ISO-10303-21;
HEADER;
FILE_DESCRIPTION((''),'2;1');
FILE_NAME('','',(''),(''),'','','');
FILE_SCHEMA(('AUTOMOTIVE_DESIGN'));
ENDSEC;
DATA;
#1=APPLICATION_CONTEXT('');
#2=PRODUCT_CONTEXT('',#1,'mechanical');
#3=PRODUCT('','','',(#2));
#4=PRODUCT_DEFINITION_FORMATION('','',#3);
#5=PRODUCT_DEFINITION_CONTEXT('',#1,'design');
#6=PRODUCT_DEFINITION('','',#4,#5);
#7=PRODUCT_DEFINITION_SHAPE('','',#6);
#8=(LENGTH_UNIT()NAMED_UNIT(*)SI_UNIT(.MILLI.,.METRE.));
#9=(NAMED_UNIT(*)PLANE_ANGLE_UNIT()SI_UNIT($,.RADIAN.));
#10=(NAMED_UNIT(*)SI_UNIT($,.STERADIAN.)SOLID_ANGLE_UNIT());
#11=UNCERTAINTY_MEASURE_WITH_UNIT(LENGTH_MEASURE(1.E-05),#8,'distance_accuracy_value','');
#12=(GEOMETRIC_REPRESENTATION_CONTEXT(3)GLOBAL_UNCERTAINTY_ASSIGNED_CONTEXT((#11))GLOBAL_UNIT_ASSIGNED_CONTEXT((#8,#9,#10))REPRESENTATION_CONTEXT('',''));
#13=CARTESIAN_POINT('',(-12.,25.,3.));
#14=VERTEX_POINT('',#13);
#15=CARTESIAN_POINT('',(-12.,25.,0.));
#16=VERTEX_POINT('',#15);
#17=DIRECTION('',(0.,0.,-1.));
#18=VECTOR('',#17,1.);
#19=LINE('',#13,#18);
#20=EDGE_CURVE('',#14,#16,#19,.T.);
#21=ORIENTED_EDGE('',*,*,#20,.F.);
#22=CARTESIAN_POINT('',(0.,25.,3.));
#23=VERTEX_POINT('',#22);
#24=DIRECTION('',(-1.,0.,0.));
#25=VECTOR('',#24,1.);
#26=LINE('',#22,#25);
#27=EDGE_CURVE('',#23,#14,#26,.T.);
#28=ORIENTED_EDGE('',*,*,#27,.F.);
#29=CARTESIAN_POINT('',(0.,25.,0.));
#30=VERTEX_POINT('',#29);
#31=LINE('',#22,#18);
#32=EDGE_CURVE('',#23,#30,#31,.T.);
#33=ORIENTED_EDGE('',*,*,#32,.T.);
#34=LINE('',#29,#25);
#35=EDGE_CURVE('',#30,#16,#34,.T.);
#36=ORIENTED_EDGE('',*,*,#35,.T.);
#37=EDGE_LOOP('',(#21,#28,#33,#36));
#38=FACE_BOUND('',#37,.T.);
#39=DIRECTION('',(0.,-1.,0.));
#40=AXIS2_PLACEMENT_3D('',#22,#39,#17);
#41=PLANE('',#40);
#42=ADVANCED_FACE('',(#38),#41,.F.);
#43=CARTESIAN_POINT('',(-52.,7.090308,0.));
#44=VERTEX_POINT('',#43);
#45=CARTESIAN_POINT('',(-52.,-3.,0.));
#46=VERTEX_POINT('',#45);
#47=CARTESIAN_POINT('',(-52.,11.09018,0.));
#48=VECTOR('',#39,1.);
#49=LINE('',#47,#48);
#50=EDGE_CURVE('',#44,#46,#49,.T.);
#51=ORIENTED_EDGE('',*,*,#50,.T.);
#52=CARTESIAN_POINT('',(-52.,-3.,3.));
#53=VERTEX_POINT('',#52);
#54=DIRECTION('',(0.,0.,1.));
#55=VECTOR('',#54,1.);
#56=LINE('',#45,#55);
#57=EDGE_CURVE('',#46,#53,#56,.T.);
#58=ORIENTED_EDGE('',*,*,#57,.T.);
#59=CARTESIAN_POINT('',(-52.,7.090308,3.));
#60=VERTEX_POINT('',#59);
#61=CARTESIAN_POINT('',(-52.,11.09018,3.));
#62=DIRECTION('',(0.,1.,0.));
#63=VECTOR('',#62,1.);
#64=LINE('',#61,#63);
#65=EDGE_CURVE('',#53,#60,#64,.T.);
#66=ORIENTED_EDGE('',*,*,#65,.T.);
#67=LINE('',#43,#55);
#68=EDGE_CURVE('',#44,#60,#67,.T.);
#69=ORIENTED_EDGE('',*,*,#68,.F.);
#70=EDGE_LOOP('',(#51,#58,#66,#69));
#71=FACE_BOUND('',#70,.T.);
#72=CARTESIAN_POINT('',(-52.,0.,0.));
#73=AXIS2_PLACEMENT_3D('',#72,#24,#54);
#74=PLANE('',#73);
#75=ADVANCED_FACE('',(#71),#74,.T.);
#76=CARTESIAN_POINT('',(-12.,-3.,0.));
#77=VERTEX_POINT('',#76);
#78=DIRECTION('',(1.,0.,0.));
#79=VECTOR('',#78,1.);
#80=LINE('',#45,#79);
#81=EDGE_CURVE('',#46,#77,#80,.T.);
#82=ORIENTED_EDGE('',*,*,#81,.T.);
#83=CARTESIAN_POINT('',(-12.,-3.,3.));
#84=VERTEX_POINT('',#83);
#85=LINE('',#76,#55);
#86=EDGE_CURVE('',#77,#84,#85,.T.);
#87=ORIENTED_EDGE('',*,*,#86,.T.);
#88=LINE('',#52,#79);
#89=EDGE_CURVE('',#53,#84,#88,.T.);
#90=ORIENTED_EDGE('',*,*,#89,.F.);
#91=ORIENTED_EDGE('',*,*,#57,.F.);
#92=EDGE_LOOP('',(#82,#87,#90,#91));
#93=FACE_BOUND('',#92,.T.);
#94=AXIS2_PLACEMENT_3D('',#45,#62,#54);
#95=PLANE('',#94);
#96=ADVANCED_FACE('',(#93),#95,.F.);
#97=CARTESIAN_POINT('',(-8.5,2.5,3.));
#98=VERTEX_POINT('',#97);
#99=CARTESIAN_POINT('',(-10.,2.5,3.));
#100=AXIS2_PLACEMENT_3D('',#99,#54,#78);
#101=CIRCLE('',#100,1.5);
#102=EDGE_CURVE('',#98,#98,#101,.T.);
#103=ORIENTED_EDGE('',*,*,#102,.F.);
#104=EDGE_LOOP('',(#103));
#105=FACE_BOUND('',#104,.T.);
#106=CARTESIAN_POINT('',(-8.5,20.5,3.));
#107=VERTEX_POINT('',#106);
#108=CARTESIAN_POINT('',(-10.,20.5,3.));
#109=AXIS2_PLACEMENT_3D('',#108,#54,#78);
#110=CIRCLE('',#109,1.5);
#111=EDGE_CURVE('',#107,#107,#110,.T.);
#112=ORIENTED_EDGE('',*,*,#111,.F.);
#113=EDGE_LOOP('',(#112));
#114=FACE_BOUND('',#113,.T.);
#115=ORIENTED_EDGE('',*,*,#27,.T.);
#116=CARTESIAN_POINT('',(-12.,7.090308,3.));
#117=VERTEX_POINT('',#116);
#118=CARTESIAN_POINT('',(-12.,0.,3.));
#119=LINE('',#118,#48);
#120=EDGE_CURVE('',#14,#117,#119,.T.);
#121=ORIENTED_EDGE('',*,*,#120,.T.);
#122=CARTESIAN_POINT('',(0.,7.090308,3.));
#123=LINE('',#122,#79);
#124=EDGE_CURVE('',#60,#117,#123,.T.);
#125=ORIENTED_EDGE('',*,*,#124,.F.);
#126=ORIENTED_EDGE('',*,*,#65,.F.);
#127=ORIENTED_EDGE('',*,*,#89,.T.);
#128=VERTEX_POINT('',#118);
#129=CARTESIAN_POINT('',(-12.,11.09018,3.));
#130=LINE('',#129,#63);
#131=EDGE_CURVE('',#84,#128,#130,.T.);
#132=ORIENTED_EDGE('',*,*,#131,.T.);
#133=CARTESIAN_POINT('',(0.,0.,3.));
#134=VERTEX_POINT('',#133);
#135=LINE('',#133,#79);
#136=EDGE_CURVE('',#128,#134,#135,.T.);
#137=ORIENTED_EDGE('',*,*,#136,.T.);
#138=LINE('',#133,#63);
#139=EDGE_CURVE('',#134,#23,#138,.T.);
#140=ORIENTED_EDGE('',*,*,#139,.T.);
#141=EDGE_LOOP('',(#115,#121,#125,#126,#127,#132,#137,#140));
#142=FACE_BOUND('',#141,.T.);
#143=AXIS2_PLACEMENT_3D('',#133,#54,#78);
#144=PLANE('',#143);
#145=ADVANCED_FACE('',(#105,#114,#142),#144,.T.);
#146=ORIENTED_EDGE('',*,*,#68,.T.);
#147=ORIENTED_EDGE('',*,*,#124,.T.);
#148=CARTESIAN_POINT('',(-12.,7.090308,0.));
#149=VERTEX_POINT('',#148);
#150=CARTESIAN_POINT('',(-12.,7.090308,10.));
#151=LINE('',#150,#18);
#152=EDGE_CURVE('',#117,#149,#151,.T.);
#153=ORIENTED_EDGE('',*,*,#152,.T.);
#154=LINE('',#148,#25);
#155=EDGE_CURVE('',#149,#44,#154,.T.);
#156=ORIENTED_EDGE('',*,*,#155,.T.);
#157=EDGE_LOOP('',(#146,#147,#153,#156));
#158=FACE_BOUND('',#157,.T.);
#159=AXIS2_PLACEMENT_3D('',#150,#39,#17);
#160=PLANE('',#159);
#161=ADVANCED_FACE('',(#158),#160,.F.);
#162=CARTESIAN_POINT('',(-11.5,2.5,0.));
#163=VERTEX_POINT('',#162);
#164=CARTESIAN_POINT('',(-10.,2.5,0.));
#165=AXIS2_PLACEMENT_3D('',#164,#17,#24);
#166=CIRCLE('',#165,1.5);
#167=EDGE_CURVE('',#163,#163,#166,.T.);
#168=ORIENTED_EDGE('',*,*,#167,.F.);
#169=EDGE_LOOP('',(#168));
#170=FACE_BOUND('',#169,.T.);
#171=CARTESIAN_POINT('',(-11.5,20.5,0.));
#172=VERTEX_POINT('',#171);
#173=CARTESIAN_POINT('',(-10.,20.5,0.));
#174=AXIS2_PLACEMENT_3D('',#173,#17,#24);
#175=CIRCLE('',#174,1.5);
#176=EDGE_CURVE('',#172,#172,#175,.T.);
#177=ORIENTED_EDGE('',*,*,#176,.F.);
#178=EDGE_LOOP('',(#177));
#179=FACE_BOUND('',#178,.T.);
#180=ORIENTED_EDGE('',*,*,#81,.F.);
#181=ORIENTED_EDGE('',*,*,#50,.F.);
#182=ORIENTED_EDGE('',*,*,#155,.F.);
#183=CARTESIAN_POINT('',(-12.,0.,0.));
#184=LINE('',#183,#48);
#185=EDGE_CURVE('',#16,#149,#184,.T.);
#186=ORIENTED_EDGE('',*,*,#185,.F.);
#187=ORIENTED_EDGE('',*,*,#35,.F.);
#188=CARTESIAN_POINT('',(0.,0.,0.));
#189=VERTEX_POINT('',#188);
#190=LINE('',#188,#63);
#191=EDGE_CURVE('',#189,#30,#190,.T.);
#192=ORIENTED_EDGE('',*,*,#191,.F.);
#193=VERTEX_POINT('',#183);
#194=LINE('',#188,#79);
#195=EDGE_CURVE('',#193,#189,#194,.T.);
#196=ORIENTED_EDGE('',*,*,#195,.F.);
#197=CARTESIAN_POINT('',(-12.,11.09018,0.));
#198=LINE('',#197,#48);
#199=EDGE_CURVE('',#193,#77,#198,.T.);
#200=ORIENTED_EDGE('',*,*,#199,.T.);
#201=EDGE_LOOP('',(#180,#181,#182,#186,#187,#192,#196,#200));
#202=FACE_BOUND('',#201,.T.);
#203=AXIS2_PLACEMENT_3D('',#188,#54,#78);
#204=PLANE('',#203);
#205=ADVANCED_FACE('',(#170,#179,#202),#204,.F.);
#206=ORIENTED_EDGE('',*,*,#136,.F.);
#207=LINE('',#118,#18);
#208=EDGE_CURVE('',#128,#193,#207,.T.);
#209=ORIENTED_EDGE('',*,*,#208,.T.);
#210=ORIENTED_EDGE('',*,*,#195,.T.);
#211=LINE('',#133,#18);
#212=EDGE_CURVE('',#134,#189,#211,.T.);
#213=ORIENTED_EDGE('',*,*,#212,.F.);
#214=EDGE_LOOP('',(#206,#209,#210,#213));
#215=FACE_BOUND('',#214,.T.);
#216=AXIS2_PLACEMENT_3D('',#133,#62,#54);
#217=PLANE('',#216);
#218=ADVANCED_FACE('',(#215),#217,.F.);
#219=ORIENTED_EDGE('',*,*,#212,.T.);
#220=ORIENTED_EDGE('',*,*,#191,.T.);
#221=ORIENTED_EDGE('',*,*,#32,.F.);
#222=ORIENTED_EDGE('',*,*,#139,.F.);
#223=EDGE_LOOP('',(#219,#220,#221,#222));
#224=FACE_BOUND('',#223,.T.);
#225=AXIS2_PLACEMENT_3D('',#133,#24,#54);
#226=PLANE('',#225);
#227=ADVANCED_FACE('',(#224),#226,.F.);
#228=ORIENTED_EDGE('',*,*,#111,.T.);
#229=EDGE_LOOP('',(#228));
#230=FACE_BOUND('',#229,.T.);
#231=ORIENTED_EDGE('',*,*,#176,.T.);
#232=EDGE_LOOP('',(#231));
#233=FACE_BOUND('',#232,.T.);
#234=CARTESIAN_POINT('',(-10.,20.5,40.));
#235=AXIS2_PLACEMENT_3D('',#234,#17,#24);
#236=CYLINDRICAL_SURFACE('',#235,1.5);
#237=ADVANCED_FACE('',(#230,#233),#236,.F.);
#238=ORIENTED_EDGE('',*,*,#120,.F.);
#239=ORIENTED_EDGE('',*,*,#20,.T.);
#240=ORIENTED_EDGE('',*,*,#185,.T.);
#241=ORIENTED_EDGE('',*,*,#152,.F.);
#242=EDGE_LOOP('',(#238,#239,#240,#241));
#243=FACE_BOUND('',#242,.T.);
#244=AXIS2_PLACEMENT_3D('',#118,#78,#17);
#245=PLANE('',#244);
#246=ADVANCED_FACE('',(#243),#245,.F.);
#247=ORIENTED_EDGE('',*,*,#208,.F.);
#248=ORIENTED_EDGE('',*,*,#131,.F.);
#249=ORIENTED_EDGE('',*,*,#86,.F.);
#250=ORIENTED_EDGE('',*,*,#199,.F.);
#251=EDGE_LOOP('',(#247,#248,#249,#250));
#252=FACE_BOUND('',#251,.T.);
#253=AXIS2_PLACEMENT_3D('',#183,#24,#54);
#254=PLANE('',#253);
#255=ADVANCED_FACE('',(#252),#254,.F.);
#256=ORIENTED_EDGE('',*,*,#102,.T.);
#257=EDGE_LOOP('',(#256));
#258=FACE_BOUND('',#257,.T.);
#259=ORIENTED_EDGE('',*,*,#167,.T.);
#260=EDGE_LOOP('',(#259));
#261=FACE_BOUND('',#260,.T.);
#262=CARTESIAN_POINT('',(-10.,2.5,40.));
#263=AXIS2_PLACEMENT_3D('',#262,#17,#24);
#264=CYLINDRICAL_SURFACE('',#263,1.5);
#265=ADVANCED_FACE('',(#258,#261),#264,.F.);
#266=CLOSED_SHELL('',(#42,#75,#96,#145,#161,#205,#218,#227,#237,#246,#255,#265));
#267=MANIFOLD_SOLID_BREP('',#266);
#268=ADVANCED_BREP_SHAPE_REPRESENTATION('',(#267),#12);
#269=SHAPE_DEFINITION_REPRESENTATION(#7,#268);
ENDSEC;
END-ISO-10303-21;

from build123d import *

# Parameters (mm, degrees)
SKETCH1_W           = 12
SKETCH1_H           = 25
BOSS_EXTRUDE1_DEPTH = 3
SKETCH2_R           = 1.5
CUT_EXTRUDE2_DEPTH  = 40
SKETCH4_W           = 3
SKETCH4_H           = 14.090179648
BOSS_EXTRUDE3_DEPTH = 40
SKETCH5_W           = 40
SKETCH5_H           = 3.999871266
CUT_EXTRUDE3_DEPTH  = 10


with BuildPart() as part:
    # Sketch1 → Boss-Extrude1 (new body)
    with BuildSketch(Plane.XY):
        with Locations((-6, 12.5)):
            Rectangle(SKETCH1_W, SKETCH1_H)
    extrude(amount=BOSS_EXTRUDE1_DEPTH)

    # Sketch2 → Cut-Extrude2 (cut)
    with BuildSketch(Plane(origin=(0, 0, 0), x_dir=(-1, 0, 0), z_dir=(0, 0, -1))):
        with Locations((10, 2.5)):
            Circle(SKETCH2_R)
        with Locations((10, 20.5)):
            Circle(SKETCH2_R)
    extrude(amount=-CUT_EXTRUDE2_DEPTH, mode=Mode.SUBTRACT)

    # Sketch4 → Boss-Extrude3 (add)
    with BuildSketch(Plane.ZY.offset(12)):
        with Locations((1.5, 4.045089824)):
            Rectangle(SKETCH4_W, SKETCH4_H)
    extrude(amount=BOSS_EXTRUDE3_DEPTH)

    # Sketch5 → Cut-Extrude3 (cut)
    with BuildSketch(Plane(origin=(0, 0, 0), x_dir=(-1, 0, 0), z_dir=(0, 0, -1))):
        with Locations((32, 9.090244015)):
            Rectangle(SKETCH5_W, SKETCH5_H)
    extrude(amount=-CUT_EXTRUDE3_DEPTH, mode=Mode.SUBTRACT)


solid = part.part
